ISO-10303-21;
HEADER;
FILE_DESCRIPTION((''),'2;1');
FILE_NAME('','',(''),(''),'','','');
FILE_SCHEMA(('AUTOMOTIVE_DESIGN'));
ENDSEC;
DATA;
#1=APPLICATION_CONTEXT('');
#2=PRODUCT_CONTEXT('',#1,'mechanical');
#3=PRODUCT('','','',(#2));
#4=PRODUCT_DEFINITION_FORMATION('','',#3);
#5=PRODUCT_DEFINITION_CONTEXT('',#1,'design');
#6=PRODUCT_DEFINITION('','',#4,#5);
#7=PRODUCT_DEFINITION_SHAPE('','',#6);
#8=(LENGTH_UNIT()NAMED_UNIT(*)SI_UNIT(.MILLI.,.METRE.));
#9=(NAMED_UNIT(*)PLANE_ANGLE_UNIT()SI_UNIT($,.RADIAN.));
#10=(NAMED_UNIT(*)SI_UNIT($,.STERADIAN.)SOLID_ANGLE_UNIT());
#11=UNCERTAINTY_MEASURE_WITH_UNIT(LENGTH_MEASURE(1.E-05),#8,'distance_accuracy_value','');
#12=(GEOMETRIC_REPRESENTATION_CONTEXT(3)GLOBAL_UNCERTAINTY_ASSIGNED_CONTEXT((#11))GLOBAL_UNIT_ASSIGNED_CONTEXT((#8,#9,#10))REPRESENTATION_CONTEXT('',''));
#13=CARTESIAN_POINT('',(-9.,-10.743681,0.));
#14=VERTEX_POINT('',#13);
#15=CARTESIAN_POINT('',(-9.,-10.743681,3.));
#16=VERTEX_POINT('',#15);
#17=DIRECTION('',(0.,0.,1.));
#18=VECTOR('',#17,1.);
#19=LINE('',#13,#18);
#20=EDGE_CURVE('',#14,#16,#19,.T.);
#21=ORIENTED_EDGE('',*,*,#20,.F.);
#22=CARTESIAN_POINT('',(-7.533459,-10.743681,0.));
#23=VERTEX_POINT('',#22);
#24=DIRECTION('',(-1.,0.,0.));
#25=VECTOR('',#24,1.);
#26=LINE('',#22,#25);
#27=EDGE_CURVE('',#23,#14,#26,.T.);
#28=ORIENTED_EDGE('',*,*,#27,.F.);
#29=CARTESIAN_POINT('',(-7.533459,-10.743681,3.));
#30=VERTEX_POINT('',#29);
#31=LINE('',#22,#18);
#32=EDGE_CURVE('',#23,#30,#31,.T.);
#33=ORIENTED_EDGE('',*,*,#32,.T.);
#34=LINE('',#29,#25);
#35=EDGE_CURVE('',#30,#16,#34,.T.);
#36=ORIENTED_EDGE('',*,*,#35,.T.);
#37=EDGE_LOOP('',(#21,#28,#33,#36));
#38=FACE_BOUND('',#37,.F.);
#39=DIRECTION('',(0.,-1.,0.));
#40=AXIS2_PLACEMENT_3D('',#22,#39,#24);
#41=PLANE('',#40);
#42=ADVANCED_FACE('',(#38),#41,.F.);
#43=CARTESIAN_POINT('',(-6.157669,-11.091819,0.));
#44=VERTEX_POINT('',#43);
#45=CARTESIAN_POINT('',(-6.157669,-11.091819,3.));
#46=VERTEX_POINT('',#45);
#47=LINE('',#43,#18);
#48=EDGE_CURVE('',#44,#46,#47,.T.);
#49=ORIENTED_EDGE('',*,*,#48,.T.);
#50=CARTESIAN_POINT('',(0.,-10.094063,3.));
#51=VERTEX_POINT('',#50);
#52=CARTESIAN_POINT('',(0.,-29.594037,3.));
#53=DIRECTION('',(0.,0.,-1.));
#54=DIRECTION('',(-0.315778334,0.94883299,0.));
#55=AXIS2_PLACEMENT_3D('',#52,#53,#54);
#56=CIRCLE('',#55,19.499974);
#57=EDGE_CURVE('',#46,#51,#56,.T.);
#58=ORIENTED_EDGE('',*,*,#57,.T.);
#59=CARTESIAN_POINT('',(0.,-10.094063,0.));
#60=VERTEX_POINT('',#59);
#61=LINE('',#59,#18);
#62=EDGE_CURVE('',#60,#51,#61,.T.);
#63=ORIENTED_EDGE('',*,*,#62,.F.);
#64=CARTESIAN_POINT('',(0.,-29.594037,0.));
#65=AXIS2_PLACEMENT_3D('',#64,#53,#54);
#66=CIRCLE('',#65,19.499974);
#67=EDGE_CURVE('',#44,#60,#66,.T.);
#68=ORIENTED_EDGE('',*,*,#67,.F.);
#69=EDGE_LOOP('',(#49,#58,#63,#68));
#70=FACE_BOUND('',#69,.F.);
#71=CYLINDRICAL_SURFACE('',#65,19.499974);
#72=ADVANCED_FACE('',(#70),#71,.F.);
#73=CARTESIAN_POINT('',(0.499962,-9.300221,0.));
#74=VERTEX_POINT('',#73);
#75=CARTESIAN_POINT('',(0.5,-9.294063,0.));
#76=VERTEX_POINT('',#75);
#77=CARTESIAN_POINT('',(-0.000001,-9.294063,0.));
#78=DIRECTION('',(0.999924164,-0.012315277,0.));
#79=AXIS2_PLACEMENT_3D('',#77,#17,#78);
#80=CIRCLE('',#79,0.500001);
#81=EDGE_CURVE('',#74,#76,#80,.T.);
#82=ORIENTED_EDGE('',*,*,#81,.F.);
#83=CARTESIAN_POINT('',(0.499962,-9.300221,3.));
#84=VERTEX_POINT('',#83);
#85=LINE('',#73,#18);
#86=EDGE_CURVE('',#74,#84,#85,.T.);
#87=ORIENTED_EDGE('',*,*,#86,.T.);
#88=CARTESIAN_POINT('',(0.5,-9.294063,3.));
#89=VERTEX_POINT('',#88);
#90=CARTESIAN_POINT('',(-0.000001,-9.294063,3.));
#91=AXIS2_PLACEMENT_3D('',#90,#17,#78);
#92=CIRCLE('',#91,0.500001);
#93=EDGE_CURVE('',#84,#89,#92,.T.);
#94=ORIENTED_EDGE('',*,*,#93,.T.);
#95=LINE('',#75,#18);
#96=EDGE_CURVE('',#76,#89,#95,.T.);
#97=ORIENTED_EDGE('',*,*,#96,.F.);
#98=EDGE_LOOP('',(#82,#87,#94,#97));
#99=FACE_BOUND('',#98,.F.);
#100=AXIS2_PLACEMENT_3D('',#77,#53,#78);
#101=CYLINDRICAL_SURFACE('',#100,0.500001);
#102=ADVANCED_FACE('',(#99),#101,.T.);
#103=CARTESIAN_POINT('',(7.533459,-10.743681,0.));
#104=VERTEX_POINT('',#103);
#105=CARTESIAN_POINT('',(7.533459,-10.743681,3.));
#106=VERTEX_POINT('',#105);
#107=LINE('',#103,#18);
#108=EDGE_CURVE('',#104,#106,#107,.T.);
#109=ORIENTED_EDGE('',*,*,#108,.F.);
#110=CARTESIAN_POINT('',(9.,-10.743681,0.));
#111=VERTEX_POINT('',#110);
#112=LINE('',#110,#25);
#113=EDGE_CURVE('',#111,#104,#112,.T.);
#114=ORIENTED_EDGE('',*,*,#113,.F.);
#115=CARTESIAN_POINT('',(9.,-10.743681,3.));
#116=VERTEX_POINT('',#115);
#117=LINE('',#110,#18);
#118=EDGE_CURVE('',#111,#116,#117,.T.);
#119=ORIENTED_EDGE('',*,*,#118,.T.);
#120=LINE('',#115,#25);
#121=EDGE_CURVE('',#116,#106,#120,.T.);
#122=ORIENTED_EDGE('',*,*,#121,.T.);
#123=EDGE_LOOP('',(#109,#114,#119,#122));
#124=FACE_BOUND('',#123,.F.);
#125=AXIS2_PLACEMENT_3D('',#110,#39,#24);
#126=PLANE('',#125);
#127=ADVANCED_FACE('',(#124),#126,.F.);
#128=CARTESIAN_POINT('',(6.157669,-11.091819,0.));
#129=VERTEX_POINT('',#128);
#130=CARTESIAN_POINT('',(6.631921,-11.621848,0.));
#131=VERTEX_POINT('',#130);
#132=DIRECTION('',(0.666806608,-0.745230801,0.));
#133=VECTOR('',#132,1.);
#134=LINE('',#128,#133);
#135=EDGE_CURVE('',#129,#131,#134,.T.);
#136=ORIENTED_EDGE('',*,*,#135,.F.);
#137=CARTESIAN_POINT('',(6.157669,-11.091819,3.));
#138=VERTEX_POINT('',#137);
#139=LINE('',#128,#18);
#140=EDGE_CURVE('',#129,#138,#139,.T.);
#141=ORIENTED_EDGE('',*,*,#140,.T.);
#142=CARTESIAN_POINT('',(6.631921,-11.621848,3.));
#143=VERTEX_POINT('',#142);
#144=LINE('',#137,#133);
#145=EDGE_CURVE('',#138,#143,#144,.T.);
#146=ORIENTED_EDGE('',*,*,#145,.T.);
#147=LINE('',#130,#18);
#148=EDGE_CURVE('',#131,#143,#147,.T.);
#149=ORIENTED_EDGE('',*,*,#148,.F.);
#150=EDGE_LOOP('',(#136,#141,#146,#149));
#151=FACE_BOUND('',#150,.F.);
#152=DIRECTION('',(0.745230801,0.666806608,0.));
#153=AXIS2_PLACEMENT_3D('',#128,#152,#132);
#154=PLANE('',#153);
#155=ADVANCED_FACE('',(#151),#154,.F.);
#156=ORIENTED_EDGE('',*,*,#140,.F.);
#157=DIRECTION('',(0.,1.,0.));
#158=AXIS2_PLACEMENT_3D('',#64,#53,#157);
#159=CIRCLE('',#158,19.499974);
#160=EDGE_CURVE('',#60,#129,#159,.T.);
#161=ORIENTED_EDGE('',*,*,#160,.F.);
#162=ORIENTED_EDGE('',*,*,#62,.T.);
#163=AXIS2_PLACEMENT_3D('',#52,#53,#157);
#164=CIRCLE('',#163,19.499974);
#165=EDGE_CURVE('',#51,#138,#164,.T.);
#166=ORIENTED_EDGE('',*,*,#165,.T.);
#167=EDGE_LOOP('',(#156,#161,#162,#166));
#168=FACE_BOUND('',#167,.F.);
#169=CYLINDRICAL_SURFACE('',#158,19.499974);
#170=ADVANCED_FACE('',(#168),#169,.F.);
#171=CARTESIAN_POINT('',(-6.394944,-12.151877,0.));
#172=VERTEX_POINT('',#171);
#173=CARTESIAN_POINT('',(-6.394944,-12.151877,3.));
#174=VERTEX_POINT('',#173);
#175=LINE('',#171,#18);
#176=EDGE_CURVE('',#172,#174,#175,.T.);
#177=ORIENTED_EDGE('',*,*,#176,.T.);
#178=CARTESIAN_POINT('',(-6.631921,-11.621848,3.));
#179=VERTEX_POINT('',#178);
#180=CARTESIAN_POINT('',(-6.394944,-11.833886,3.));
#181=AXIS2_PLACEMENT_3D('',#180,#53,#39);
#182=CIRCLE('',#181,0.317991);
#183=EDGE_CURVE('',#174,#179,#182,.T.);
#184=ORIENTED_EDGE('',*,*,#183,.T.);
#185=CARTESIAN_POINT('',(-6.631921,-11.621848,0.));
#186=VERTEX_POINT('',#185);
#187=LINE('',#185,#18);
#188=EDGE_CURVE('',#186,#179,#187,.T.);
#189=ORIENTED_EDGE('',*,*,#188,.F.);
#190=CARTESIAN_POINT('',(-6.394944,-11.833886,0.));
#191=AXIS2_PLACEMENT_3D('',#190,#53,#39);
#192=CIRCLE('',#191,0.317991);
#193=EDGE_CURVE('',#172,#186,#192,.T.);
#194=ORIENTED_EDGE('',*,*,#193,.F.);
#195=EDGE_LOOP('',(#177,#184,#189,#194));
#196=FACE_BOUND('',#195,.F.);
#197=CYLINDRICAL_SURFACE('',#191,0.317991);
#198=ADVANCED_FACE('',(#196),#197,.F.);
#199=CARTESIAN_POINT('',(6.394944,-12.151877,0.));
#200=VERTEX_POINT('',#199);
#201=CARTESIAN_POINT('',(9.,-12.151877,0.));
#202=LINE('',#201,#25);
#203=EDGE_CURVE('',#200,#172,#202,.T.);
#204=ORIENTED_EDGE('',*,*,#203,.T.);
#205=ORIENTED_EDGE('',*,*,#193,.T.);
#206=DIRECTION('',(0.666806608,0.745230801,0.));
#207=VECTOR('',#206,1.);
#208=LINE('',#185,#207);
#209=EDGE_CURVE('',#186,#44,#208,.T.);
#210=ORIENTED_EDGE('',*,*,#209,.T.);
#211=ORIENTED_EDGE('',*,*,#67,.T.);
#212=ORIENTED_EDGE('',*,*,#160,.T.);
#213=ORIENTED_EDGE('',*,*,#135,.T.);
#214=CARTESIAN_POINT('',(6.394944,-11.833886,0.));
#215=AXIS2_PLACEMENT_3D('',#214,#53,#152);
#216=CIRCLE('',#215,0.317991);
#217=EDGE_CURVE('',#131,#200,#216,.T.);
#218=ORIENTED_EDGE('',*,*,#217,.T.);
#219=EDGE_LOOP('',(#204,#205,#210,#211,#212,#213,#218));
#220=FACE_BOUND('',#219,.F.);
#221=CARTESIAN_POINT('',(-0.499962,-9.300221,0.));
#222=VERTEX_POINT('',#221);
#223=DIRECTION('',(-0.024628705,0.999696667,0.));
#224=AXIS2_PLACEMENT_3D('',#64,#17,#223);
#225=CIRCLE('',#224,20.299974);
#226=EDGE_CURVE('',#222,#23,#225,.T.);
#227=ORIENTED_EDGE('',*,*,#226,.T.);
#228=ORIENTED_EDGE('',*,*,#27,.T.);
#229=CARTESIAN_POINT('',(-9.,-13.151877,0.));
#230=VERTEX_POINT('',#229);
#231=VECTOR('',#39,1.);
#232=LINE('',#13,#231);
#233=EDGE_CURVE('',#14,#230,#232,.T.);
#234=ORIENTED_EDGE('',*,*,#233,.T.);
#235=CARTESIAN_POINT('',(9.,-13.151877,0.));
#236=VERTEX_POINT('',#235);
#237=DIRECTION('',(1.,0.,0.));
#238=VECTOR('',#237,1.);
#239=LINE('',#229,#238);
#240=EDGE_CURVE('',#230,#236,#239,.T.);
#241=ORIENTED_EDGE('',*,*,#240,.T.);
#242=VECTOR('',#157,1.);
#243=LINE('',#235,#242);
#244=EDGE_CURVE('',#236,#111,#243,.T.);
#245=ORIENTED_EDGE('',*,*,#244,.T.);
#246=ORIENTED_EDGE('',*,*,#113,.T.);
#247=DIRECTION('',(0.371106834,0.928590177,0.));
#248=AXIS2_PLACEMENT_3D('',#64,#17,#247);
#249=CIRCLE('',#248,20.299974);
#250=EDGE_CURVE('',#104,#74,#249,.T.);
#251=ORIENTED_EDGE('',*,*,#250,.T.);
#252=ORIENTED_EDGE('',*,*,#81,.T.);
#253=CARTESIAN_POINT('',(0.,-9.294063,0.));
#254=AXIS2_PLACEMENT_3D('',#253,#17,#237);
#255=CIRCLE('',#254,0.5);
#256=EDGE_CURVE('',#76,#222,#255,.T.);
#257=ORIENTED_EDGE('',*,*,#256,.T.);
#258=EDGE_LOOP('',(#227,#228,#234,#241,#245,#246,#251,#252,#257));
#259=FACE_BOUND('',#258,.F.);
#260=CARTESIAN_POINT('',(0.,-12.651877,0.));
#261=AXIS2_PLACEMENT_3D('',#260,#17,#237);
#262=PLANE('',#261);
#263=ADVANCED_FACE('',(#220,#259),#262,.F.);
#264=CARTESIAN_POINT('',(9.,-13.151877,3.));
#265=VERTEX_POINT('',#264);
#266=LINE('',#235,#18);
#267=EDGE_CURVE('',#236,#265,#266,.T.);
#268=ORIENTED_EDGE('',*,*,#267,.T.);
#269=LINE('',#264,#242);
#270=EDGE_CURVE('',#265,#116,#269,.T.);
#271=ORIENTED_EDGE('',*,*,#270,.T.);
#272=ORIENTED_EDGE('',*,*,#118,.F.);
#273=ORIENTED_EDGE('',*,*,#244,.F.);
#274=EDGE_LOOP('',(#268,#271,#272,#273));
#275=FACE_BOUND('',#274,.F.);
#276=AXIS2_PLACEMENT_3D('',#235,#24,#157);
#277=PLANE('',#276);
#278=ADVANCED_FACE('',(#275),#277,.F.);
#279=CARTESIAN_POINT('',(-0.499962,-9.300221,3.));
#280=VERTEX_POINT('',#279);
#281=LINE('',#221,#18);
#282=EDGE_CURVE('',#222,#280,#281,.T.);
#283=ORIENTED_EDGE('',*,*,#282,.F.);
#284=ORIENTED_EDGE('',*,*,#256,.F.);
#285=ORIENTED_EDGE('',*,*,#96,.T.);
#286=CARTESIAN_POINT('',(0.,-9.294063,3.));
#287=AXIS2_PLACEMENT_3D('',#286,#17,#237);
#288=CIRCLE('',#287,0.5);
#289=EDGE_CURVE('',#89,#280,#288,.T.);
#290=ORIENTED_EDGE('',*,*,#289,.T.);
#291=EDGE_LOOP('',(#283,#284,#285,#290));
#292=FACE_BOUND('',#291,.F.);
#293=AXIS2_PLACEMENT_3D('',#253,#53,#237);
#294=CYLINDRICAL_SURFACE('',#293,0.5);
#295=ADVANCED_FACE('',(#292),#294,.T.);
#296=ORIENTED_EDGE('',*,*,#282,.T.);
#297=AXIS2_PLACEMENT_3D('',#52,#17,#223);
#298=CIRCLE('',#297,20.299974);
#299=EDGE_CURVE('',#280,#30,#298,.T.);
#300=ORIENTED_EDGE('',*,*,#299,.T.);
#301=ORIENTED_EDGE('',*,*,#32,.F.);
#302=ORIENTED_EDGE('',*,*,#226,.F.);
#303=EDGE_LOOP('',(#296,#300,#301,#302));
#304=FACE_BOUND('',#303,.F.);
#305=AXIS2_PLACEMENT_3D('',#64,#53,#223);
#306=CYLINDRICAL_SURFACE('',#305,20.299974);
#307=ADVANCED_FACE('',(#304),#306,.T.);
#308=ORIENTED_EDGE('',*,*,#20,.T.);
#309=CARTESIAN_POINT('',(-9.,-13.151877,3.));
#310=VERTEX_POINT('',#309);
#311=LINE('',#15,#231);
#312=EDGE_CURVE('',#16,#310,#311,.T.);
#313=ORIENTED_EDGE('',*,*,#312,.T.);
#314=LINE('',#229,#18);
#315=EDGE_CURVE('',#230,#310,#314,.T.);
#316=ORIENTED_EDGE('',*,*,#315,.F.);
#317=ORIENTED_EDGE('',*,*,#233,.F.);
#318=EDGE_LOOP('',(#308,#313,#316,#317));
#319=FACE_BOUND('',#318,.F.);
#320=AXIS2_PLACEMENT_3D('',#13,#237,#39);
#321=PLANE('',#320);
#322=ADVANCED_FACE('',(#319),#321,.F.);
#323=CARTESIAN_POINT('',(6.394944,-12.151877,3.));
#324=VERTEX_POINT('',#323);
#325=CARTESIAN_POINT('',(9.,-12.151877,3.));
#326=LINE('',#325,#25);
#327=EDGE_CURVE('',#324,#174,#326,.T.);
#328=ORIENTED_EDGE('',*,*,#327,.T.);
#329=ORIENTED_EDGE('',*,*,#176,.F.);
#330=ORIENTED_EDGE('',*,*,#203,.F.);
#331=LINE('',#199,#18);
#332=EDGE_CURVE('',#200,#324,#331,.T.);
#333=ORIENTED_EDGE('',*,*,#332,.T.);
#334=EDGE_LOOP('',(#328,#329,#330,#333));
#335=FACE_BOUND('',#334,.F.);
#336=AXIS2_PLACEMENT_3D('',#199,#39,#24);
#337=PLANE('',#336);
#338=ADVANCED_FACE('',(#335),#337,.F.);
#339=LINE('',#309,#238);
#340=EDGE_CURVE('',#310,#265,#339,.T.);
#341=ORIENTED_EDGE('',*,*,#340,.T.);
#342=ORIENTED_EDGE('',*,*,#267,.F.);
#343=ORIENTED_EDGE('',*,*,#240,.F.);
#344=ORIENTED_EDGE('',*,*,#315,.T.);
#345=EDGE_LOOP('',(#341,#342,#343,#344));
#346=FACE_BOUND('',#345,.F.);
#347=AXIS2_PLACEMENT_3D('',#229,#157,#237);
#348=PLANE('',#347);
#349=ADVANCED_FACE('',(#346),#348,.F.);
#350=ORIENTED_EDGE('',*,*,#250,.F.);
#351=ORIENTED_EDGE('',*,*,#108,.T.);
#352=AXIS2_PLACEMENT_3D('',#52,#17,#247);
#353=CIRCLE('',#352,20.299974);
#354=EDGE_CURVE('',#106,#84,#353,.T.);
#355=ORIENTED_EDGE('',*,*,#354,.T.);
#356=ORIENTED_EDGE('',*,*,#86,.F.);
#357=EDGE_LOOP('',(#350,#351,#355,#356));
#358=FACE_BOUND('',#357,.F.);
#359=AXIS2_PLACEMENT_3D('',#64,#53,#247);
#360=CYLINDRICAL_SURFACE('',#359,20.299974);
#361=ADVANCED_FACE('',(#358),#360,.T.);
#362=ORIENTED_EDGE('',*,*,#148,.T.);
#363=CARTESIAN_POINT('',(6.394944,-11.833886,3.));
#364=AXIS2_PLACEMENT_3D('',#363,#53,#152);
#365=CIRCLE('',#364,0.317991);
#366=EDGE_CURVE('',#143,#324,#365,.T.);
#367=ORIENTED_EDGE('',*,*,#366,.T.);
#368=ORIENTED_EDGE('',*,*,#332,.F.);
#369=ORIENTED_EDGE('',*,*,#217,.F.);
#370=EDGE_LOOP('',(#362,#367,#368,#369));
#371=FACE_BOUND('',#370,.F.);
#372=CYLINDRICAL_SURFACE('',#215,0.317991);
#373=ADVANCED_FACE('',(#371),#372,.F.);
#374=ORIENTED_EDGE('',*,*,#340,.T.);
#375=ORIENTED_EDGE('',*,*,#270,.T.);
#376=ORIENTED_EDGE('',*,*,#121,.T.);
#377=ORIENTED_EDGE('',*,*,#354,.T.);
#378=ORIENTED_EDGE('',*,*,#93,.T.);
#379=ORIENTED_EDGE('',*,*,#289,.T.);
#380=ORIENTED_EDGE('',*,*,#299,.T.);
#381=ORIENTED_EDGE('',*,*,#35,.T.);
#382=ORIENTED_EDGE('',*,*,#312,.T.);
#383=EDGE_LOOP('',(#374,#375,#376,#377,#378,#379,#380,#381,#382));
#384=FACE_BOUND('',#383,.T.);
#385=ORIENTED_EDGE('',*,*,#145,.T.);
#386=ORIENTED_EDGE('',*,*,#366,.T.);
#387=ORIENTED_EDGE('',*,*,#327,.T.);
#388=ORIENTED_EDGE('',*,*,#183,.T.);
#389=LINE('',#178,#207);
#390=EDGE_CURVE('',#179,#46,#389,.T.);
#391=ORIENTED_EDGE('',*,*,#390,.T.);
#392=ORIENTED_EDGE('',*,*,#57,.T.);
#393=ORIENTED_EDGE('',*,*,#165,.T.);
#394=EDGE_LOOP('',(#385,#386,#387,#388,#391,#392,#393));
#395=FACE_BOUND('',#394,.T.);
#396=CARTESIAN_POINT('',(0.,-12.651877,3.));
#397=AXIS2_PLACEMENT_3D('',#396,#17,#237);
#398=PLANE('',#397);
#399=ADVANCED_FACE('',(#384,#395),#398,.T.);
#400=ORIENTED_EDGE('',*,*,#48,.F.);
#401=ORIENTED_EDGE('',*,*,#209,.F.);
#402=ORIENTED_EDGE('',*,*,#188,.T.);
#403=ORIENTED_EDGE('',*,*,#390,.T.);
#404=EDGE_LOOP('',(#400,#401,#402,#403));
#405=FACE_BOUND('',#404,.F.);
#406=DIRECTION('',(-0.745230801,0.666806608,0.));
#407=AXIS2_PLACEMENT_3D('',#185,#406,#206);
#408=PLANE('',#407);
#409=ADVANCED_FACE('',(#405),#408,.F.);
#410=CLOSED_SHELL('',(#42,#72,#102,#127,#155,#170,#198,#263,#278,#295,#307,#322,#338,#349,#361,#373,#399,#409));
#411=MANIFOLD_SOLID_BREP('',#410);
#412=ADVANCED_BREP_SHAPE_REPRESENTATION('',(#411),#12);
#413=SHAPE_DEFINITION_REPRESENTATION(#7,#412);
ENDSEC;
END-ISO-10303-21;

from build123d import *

# Parameters (mm, degrees)
F1_DEPTH = 3


with BuildPart() as f1:
    # F0 (on Top) → F1 (new body)
    with BuildSketch(Plane.XY):
        Polygon((-9, -13.1518765464), (9, -13.1518765464), (9, -12.1518765464), (7.5940429233, -12.1518765464), (7.1061723866, -12.1518765464), (6.3949443998, -12.1518765464), (-6.3949443998, -12.1518765464), (-7.1061723866, -12.1518765464), (-7.5940429233, -12.1518765464), (-9, -12.1518765464), align=None)
        with BuildLine():
            Line((7.5940429233, -12.1518765464), (9, -12.1518765464))
            Line((9, -12.1518765464), (9, -10.7436807282))
            Line((9, -10.7436807282), (7.5334591278, -10.7436807282))
            ThreePointArc((7.5334591278, -10.7436807282), (4.0810364135, -9.7085126375), (0.499962082, -9.3002208224))
            ThreePointArc((0.499962082, -9.3002208224), (0, -9.7940631791), (-0.499962082, -9.3002208224))
            ThreePointArc((-0.499962082, -9.3002208224), (-4.0810364135, -9.7085126375), (-7.5334591278, -10.7436807282))
            Line((-7.5334591278, -10.7436807282), (-9, -10.7436807282))
            Line((-9, -10.7436807282), (-9, -12.1518765464))
            Line((-9, -12.1518765464), (-7.5940429233, -12.1518765464))
            Line((-7.5940429233, -12.1518765464), (-7.5789392504, -11.6271602603))
            ThreePointArc((-7.5789392504, -11.6271602603), (-6.8735181386, -11.3456472582), (-6.1576693432, -11.0918185417))
            ThreePointArc((-6.1576693432, -11.0918185417), (-3.1189905219, -10.3451181397), (0, -10.0940631791))
            ThreePointArc((0, -10.0940631791), (3.1189905219, -10.3451181397), (6.1576693432, -11.0918185417))
            ThreePointArc((6.1576693432, -11.0918185417), (6.8735181386, -11.3456472582), (7.5789392504, -11.6271602603))
            Line((7.5789392504, -11.6271602603), (7.5940429233, -12.1518765464))
        make_face()
        with BuildLine():
            ThreePointArc((-0.499962082, -9.3002208224), (0, -9.7940631791), (0.499962082, -9.3002208224))
            ThreePointArc((0.499962082, -9.3002208224), (0.25, -9.2956026483), (0, -9.2940631791))
            ThreePointArc((0, -9.2940631791), (-0.25, -9.2956026483), (-0.499962082, -9.3002208224))
        make_face()
        with BuildLine():
            ThreePointArc((0, -9.2940631791), (0.25, -9.2956026483), (0.499962082, -9.3002208224))
            ThreePointArc((0.499962082, -9.3002208224), (0.4999905204, -9.2971420591), (0.5, -9.2940631791))
            ThreePointArc((0.5, -9.2940631791), (-0.00307888, -8.7940726587), (-0.499962082, -9.3002208224))
            ThreePointArc((-0.499962082, -9.3002208224), (-0.25, -9.2956026483), (0, -9.2940631791))
        make_face()
        with BuildLine():
            Line((-7.5789392504, -11.6271602603), (-7.5940429233, -12.1518765464))
            Line((-7.5940429233, -12.1518765464), (-7.1061723866, -12.1518765464))
            Line((-7.1061723866, -12.1518765464), (-6.6319208649, -11.6218475441))
            Line((-6.6319208649, -11.6218475441), (-6.1576693432, -11.0918185417))
            ThreePointArc((-6.1576693432, -11.0918185417), (-6.8735181386, -11.3456472582), (-7.5789392504, -11.6271602603))
        make_face()
        with BuildLine():
            Line((-6.6319208649, -11.6218475441), (-7.1061723866, -12.1518765464))
            Line((-7.1061723866, -12.1518765464), (-6.3949443998, -12.1518765464))
            ThreePointArc((-6.3949443998, -12.1518765464), (-6.6852410534, -11.9636777518), (-6.6319208649, -11.6218475441))
        make_face()
        with BuildLine():
            Line((6.3949443998, -12.1518765464), (7.1061723866, -12.1518765464))
            Line((7.1061723866, -12.1518765464), (6.6319208649, -11.6218475441))
            ThreePointArc((6.6319208649, -11.6218475441), (6.6852410534, -11.9636777518), (6.3949443998, -12.1518765464))
        make_face()
        with BuildLine():
            Line((7.1061723866, -12.1518765464), (7.5940429233, -12.1518765464))
            Line((7.5940429233, -12.1518765464), (7.5789392504, -11.6271602603))
            ThreePointArc((7.5789392504, -11.6271602603), (6.8735181386, -11.3456472582), (6.1576693432, -11.0918185417))
            Line((6.1576693432, -11.0918185417), (6.6319208649, -11.6218475441))
            Line((6.6319208649, -11.6218475441), (7.1061723866, -12.1518765464))
        make_face()
    extrude(amount=F1_DEPTH)


solid = f1.part
